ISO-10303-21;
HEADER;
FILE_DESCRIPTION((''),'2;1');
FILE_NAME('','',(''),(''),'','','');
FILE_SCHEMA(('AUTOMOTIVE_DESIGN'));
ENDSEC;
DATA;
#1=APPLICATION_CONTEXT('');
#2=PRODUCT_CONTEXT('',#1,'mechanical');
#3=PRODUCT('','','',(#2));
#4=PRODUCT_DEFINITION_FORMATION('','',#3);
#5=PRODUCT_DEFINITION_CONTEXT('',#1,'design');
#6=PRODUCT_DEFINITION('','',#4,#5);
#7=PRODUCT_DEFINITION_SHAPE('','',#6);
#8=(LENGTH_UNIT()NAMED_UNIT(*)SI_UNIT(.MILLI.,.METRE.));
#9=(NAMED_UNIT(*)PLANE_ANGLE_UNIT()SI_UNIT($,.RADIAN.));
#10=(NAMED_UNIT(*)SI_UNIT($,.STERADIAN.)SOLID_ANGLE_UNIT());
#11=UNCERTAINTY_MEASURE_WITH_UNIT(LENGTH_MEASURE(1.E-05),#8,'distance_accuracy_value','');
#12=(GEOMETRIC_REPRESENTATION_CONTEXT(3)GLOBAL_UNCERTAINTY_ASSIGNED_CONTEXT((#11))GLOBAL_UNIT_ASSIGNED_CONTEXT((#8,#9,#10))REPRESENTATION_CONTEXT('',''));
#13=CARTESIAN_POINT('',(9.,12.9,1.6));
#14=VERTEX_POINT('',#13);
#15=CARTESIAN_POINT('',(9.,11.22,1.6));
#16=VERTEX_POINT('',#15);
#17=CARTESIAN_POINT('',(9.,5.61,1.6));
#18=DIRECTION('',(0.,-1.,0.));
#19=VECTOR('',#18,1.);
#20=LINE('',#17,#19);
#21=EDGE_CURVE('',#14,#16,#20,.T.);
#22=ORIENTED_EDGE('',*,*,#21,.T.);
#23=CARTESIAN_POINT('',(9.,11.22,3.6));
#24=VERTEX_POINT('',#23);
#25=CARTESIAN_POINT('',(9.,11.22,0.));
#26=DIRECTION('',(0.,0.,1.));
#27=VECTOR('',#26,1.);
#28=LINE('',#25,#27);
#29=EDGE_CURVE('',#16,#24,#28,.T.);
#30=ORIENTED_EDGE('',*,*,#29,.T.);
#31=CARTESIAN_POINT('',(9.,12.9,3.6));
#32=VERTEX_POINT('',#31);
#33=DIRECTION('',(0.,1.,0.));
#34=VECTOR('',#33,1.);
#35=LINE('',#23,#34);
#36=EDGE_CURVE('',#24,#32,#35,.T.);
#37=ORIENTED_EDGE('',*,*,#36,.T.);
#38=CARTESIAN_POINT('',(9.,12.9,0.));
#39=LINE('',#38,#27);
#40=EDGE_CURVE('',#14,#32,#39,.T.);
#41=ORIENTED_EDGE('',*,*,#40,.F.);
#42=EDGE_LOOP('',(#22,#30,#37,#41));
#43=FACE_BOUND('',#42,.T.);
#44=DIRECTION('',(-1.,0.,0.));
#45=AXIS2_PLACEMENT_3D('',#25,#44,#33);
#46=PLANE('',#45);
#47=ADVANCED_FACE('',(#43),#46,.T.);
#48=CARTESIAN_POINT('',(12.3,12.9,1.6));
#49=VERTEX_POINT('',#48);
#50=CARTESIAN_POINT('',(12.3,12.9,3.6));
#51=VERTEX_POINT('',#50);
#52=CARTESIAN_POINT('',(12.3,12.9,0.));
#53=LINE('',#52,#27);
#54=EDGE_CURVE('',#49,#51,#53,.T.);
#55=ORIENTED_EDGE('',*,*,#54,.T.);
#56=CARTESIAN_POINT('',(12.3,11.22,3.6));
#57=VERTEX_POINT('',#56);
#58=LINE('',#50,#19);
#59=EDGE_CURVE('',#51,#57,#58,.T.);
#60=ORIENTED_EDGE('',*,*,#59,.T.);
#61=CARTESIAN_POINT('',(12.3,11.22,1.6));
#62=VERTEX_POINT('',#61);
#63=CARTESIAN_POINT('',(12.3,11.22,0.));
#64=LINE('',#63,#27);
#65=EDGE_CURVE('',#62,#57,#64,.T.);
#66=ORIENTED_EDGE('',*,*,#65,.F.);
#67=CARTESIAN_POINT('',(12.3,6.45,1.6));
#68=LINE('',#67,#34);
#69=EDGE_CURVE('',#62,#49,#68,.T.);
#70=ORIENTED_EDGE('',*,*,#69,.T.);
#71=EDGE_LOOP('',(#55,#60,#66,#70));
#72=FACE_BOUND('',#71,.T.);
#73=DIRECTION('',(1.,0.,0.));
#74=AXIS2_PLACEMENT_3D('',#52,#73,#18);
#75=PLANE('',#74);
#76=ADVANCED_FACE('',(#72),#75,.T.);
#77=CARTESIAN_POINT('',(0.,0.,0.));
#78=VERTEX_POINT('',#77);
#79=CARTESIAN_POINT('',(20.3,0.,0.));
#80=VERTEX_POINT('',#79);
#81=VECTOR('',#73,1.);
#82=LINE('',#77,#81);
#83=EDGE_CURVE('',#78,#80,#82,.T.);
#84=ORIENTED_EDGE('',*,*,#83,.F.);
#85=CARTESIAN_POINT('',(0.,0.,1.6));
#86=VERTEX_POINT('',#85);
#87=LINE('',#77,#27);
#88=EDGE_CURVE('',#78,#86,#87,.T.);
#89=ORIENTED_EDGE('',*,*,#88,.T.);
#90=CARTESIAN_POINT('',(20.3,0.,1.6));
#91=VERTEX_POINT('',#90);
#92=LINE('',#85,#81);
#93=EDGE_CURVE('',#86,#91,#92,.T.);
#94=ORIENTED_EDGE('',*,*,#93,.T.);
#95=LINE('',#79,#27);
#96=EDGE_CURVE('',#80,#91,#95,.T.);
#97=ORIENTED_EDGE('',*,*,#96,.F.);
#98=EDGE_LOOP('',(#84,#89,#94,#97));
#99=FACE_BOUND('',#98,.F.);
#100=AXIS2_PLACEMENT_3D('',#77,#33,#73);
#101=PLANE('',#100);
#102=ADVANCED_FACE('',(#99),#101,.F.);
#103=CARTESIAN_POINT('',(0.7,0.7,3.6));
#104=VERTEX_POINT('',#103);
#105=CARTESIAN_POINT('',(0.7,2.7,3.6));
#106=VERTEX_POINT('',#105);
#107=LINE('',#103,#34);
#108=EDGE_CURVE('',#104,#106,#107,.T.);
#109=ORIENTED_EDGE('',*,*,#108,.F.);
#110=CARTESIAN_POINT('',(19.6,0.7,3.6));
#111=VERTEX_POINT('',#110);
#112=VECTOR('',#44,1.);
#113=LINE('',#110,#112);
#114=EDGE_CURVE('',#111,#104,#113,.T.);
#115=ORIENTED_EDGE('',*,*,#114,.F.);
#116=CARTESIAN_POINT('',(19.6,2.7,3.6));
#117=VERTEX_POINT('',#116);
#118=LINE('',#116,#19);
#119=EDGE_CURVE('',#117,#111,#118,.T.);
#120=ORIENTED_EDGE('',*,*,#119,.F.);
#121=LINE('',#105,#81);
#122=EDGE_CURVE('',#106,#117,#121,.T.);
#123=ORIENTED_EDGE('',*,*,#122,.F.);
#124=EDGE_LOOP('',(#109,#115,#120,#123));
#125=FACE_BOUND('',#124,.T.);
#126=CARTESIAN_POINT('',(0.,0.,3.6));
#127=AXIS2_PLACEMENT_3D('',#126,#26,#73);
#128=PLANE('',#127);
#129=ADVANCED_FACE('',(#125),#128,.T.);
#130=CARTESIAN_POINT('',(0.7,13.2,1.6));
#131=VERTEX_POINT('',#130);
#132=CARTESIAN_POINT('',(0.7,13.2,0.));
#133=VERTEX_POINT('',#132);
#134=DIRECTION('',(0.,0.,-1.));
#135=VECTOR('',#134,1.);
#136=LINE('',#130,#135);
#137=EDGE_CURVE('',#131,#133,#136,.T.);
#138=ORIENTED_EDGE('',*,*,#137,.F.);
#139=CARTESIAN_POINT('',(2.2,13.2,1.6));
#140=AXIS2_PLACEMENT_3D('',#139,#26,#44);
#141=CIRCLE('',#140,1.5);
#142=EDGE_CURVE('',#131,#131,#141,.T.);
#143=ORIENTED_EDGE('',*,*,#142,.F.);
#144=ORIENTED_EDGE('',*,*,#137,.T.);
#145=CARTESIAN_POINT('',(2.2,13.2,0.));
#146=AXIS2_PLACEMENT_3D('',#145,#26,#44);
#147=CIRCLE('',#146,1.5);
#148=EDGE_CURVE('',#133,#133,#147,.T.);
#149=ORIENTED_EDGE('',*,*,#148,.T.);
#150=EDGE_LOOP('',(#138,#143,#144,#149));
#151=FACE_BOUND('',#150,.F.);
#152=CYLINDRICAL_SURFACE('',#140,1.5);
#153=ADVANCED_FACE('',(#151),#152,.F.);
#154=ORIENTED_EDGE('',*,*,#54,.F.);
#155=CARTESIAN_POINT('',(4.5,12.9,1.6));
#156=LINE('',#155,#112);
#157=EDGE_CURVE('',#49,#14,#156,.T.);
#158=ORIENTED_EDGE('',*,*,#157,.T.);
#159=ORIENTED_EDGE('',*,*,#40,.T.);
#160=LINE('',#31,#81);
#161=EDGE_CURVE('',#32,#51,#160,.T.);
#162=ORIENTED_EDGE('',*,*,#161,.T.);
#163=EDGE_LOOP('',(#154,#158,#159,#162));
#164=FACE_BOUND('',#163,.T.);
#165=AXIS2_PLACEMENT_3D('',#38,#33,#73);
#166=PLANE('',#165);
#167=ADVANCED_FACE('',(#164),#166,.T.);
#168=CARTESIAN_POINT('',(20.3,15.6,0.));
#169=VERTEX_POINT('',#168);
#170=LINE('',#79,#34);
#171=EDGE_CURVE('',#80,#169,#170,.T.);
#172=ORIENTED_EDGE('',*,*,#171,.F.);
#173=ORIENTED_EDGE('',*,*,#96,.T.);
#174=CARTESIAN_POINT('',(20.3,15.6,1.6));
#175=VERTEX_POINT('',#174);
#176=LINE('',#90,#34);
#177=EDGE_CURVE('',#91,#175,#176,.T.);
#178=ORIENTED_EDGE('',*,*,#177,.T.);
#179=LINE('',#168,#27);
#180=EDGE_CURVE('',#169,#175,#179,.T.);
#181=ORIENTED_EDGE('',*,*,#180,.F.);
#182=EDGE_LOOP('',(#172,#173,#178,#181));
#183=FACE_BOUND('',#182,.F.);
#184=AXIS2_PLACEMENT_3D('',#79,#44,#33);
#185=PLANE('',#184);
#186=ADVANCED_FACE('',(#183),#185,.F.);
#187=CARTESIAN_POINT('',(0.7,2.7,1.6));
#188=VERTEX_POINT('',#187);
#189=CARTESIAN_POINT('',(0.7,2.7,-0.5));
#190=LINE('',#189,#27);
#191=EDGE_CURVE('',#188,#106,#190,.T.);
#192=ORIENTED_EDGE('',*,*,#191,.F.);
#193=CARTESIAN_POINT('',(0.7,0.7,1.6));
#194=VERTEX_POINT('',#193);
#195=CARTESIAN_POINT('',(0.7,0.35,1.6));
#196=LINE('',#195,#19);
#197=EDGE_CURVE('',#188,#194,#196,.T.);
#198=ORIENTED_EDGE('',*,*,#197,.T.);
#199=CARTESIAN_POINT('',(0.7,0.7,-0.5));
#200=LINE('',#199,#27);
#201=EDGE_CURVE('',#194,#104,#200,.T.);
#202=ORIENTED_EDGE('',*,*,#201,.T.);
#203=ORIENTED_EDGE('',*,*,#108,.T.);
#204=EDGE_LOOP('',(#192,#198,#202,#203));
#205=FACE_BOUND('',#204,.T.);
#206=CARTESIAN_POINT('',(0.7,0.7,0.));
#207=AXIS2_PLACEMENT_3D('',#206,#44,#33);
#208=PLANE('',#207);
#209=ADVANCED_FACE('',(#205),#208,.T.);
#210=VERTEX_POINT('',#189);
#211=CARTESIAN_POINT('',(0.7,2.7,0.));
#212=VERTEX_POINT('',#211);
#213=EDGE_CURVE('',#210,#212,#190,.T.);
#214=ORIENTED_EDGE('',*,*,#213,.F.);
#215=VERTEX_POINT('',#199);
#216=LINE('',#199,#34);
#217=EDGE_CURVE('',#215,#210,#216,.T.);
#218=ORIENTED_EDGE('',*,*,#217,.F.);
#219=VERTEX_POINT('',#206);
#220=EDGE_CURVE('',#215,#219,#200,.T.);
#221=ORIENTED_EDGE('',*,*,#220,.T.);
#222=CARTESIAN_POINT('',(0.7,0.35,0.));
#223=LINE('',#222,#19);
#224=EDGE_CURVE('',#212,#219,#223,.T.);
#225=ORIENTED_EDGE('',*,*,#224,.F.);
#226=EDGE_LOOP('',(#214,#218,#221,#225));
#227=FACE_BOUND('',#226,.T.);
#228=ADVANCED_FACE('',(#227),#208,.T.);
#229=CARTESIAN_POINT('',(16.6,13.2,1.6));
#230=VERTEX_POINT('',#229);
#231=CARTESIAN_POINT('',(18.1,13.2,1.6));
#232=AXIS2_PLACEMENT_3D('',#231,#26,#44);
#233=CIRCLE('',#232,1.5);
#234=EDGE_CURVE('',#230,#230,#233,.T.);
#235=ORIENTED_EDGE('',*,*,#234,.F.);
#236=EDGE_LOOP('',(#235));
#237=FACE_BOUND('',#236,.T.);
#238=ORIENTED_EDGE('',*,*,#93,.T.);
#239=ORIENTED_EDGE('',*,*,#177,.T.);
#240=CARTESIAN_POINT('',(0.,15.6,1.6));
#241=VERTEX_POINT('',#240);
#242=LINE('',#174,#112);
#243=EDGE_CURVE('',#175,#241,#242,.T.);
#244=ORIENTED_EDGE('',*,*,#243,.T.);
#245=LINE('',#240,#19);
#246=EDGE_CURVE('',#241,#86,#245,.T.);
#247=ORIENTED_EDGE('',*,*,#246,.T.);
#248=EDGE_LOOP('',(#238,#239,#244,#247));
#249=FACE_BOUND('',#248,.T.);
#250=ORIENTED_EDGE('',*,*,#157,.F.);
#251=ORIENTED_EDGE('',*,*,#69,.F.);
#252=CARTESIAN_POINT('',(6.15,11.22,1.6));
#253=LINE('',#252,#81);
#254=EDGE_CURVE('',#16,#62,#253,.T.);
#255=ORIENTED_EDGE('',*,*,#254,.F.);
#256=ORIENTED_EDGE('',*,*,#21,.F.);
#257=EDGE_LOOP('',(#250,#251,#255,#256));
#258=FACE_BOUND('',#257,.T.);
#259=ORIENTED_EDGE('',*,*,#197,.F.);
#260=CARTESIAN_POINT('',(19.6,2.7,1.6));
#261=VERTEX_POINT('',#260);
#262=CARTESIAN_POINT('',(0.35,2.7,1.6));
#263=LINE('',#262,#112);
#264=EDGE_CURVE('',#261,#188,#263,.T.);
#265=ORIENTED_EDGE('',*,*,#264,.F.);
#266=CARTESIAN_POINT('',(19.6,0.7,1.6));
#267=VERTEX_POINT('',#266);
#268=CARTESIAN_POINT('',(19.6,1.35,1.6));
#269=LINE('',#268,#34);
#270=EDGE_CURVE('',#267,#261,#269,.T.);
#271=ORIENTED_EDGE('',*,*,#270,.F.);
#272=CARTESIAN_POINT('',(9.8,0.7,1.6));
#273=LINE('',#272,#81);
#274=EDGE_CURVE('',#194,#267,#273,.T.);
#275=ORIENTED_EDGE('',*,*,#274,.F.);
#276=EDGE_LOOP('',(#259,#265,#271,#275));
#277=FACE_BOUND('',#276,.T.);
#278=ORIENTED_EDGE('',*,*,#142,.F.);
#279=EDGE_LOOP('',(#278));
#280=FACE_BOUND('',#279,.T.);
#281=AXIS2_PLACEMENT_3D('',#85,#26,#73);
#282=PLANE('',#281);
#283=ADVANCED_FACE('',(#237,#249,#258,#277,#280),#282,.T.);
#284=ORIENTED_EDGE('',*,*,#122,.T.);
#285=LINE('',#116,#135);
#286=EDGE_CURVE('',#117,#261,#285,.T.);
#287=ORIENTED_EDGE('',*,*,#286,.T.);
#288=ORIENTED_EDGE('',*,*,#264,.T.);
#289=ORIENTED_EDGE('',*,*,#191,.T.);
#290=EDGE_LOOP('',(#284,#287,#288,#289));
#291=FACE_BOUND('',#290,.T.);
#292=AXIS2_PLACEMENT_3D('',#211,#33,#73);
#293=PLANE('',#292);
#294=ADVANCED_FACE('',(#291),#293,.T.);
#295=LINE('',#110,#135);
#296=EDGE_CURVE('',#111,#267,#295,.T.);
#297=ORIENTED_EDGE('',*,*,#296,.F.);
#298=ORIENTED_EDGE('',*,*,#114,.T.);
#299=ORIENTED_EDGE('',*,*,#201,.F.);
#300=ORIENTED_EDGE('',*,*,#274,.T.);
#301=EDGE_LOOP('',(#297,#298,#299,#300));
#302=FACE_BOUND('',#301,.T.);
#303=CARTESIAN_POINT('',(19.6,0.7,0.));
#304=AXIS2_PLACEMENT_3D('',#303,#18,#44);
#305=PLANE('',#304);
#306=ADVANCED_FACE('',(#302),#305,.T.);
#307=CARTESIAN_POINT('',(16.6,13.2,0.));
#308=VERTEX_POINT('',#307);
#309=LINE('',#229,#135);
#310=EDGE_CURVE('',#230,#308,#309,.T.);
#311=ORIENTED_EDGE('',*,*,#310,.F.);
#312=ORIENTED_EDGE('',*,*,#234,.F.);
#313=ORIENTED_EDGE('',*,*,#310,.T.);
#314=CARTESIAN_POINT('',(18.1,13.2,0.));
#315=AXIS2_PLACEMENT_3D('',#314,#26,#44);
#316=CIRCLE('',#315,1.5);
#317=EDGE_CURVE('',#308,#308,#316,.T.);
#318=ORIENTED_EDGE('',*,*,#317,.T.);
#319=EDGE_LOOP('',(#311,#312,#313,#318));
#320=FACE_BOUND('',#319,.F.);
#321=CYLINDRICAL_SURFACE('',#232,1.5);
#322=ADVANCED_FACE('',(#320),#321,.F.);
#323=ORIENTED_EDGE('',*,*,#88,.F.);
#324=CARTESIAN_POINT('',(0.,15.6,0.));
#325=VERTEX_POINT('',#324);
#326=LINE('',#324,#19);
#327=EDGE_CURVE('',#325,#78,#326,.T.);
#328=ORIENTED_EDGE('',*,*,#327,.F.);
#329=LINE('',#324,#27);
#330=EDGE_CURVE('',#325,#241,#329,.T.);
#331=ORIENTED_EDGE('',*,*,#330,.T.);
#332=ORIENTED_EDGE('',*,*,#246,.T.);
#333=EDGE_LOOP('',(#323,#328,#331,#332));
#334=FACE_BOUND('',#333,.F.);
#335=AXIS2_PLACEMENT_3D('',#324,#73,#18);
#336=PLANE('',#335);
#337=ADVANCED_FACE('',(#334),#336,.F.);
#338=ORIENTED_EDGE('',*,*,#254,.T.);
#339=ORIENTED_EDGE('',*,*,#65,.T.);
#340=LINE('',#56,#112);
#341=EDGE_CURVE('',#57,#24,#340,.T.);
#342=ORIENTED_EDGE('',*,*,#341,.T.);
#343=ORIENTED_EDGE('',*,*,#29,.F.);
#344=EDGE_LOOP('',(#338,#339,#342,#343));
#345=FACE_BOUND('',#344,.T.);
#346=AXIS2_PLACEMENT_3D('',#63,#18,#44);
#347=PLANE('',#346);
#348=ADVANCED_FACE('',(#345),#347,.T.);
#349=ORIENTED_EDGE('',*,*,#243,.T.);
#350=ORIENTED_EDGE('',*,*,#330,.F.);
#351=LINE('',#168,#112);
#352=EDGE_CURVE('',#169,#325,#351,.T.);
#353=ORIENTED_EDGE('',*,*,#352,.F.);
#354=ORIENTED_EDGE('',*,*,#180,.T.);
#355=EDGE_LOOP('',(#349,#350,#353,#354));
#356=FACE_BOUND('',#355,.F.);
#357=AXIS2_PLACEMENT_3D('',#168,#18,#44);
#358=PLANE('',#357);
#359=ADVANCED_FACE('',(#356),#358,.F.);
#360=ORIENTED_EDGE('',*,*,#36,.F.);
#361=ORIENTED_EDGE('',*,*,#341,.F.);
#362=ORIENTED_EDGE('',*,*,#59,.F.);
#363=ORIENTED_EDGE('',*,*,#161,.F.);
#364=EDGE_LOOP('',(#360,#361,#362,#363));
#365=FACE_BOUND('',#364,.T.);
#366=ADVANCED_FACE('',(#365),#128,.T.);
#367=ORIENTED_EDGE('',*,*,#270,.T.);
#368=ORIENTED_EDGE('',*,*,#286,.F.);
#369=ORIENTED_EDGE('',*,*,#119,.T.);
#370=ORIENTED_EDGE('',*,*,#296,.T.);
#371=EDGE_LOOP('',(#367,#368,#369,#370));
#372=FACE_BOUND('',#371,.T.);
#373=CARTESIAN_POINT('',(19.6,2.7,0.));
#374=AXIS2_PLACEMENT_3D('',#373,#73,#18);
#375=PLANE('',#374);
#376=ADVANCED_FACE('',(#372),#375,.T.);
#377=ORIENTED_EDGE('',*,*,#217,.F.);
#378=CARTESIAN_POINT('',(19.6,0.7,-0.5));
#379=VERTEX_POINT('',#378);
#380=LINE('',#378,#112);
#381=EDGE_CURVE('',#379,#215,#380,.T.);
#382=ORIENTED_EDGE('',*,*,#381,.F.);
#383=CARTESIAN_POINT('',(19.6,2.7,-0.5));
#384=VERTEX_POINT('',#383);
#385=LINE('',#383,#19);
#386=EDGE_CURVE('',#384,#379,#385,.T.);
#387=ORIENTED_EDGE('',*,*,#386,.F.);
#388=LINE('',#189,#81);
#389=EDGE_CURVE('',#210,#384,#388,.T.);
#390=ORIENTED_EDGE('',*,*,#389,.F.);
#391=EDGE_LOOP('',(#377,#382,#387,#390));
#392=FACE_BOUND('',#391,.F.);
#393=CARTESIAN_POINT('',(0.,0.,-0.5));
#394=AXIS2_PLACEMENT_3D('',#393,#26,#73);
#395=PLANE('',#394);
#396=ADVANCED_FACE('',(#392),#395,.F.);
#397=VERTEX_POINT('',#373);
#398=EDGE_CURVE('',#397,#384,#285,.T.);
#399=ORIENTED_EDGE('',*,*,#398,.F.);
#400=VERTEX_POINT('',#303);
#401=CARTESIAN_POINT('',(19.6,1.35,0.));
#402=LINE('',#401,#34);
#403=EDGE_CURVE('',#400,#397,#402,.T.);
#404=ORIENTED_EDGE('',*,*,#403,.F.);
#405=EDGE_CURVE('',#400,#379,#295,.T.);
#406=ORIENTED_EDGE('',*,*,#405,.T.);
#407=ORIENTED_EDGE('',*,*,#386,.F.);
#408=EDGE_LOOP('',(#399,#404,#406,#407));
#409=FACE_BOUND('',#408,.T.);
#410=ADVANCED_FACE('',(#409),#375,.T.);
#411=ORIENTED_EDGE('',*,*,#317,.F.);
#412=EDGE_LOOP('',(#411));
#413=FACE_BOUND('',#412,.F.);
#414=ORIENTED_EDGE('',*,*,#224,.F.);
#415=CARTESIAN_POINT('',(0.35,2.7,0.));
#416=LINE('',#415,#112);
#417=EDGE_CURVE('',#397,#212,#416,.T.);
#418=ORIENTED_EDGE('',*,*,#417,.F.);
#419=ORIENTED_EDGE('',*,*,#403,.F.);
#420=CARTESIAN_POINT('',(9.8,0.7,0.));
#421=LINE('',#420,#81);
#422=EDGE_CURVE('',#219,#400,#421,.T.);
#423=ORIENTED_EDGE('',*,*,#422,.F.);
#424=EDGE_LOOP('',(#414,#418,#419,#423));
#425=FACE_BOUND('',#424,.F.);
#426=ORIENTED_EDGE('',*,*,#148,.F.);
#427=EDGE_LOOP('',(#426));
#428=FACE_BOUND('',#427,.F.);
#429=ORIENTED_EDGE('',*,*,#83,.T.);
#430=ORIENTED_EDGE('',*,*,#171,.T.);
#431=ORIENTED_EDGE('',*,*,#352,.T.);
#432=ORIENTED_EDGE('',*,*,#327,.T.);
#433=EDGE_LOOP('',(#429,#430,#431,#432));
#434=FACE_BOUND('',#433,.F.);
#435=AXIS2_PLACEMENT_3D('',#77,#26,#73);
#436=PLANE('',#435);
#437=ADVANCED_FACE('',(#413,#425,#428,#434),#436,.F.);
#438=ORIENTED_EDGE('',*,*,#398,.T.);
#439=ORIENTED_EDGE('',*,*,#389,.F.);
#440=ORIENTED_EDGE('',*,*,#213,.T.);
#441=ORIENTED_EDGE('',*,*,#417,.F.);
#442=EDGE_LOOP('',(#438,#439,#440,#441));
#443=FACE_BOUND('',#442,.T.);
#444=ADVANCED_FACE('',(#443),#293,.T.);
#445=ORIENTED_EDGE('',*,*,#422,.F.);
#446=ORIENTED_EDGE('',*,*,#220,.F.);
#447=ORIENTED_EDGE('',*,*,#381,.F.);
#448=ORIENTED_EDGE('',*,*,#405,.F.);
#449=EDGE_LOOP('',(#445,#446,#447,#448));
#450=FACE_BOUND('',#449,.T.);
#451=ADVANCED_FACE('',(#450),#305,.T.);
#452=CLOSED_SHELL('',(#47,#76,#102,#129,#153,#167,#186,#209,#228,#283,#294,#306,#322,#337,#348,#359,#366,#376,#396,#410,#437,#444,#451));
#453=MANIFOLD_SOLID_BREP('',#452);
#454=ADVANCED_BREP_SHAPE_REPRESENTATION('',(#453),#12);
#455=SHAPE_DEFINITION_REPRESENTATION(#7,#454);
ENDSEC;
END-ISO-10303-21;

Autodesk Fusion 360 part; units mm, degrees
sketch "Sketch1" plane through (0, 0, 0) normal (0, 0, 1) x (1, 0, 0)
  line L0 (0, 0) -> (20.3, 0)
  line L1 (20.3, 0) -> (20.3, 15.6)
  line L2 (20.3, 15.6) -> (0, 15.6)
  line L3 (0, 15.6) -> (0, 0)
  line L4 (9, 12.9) -> (12.3, 12.9)
  line L5 (12.3, 12.9) -> (12.3, 11.22)
  line L6 (12.3, 11.22) -> (9, 11.22)
  line L7 (9, 11.22) -> (9, 12.9)
  line L8 (0.7, 2.7) -> (19.6, 2.7)
  line L9 (19.6, 2.7) -> (19.6, 0.7)
  line L10 (19.6, 0.7) -> (0.7, 0.7)
  line L11 (0.7, 0.7) -> (0.7, 2.7)
  dimension "d1" = 20.3
  dimension "d2" = 15.6
  dimension "d3" = 3.3
  dimension "d4" = 1.68
  dimension "d5" = 2.7
  dimension "d6" = 8
  dimension "d7" = 0.7
  dimension "d8" = 2
  dimension "d9" = 0.7
  dimension "d10" = 0.7
extrude "Extrude1" add sketch "Sketch1" along normal blind 1.6 contours L0 L1 L2 L3 | L4 L5 L6 L7 | L8 L9 L10 L11
extrude "Extrude2" add sketch "Sketch1" along normal blind 3.6 contours L4 L5 L6 L7
extrude "Extrude3" add sketch "Sketch1" along normal blind 3.6 and the other way blind 0.5 contours L8 L9 L10 L11
sketch "Sketch2" plane through (0, 0, 1.6) normal (0, 0, 1) x (-1, 0, 0)
  line L0 (-0.7, -0.7) -> (-0.7, -2.7)
  line L1 (-0.7, -2.7) -> (-19.6, -2.7)
  line L2 (-19.6, -2.7) -> (-19.6, -0.7)
  line L3 (-19.6, -0.7) -> (-0.7, -0.7)
  line L4 (-9, -11.22) -> (-9, -12.9)
  line L5 (-9, -12.9) -> (-12.3, -12.9)
  line L6 (-12.3, -12.9) -> (-12.3, -11.22)
  line L7 (-12.3, -11.22) -> (-9, -11.22)
  line L8 (0, -15.6) -> (0, 0)
  line L9 (0, 0) -> (-20.3, 0)
  line L10 (-20.3, 0) -> (-20.3, -15.6)
  line L11 (-20.3, -15.6) -> (0, -15.6)
  circle A0 centre (-2.2, -13.2) radius 1.5
  line L12 (-20.3, -15.6) -> (0, -15.6)
  line L13 (0, -15.6) -> (0, 0)
  line L14 (-10.15, -15.6) -> (-10.15, -9.9904) construction
  circle A1 centre (-18.1, -13.2) radius 1.5
  dimension "d19" = 3
  dimension "d21" = 2.4
  dimension "d22" = 2.2
extrude "Extrude4" cut sketch "Sketch2" against normal through all contours A0 | A1
equation "d21 = 0.9 mm + ( d19 / 2 )"
equation "d22 = 0.7 mm + ( d19 / 2 )"
